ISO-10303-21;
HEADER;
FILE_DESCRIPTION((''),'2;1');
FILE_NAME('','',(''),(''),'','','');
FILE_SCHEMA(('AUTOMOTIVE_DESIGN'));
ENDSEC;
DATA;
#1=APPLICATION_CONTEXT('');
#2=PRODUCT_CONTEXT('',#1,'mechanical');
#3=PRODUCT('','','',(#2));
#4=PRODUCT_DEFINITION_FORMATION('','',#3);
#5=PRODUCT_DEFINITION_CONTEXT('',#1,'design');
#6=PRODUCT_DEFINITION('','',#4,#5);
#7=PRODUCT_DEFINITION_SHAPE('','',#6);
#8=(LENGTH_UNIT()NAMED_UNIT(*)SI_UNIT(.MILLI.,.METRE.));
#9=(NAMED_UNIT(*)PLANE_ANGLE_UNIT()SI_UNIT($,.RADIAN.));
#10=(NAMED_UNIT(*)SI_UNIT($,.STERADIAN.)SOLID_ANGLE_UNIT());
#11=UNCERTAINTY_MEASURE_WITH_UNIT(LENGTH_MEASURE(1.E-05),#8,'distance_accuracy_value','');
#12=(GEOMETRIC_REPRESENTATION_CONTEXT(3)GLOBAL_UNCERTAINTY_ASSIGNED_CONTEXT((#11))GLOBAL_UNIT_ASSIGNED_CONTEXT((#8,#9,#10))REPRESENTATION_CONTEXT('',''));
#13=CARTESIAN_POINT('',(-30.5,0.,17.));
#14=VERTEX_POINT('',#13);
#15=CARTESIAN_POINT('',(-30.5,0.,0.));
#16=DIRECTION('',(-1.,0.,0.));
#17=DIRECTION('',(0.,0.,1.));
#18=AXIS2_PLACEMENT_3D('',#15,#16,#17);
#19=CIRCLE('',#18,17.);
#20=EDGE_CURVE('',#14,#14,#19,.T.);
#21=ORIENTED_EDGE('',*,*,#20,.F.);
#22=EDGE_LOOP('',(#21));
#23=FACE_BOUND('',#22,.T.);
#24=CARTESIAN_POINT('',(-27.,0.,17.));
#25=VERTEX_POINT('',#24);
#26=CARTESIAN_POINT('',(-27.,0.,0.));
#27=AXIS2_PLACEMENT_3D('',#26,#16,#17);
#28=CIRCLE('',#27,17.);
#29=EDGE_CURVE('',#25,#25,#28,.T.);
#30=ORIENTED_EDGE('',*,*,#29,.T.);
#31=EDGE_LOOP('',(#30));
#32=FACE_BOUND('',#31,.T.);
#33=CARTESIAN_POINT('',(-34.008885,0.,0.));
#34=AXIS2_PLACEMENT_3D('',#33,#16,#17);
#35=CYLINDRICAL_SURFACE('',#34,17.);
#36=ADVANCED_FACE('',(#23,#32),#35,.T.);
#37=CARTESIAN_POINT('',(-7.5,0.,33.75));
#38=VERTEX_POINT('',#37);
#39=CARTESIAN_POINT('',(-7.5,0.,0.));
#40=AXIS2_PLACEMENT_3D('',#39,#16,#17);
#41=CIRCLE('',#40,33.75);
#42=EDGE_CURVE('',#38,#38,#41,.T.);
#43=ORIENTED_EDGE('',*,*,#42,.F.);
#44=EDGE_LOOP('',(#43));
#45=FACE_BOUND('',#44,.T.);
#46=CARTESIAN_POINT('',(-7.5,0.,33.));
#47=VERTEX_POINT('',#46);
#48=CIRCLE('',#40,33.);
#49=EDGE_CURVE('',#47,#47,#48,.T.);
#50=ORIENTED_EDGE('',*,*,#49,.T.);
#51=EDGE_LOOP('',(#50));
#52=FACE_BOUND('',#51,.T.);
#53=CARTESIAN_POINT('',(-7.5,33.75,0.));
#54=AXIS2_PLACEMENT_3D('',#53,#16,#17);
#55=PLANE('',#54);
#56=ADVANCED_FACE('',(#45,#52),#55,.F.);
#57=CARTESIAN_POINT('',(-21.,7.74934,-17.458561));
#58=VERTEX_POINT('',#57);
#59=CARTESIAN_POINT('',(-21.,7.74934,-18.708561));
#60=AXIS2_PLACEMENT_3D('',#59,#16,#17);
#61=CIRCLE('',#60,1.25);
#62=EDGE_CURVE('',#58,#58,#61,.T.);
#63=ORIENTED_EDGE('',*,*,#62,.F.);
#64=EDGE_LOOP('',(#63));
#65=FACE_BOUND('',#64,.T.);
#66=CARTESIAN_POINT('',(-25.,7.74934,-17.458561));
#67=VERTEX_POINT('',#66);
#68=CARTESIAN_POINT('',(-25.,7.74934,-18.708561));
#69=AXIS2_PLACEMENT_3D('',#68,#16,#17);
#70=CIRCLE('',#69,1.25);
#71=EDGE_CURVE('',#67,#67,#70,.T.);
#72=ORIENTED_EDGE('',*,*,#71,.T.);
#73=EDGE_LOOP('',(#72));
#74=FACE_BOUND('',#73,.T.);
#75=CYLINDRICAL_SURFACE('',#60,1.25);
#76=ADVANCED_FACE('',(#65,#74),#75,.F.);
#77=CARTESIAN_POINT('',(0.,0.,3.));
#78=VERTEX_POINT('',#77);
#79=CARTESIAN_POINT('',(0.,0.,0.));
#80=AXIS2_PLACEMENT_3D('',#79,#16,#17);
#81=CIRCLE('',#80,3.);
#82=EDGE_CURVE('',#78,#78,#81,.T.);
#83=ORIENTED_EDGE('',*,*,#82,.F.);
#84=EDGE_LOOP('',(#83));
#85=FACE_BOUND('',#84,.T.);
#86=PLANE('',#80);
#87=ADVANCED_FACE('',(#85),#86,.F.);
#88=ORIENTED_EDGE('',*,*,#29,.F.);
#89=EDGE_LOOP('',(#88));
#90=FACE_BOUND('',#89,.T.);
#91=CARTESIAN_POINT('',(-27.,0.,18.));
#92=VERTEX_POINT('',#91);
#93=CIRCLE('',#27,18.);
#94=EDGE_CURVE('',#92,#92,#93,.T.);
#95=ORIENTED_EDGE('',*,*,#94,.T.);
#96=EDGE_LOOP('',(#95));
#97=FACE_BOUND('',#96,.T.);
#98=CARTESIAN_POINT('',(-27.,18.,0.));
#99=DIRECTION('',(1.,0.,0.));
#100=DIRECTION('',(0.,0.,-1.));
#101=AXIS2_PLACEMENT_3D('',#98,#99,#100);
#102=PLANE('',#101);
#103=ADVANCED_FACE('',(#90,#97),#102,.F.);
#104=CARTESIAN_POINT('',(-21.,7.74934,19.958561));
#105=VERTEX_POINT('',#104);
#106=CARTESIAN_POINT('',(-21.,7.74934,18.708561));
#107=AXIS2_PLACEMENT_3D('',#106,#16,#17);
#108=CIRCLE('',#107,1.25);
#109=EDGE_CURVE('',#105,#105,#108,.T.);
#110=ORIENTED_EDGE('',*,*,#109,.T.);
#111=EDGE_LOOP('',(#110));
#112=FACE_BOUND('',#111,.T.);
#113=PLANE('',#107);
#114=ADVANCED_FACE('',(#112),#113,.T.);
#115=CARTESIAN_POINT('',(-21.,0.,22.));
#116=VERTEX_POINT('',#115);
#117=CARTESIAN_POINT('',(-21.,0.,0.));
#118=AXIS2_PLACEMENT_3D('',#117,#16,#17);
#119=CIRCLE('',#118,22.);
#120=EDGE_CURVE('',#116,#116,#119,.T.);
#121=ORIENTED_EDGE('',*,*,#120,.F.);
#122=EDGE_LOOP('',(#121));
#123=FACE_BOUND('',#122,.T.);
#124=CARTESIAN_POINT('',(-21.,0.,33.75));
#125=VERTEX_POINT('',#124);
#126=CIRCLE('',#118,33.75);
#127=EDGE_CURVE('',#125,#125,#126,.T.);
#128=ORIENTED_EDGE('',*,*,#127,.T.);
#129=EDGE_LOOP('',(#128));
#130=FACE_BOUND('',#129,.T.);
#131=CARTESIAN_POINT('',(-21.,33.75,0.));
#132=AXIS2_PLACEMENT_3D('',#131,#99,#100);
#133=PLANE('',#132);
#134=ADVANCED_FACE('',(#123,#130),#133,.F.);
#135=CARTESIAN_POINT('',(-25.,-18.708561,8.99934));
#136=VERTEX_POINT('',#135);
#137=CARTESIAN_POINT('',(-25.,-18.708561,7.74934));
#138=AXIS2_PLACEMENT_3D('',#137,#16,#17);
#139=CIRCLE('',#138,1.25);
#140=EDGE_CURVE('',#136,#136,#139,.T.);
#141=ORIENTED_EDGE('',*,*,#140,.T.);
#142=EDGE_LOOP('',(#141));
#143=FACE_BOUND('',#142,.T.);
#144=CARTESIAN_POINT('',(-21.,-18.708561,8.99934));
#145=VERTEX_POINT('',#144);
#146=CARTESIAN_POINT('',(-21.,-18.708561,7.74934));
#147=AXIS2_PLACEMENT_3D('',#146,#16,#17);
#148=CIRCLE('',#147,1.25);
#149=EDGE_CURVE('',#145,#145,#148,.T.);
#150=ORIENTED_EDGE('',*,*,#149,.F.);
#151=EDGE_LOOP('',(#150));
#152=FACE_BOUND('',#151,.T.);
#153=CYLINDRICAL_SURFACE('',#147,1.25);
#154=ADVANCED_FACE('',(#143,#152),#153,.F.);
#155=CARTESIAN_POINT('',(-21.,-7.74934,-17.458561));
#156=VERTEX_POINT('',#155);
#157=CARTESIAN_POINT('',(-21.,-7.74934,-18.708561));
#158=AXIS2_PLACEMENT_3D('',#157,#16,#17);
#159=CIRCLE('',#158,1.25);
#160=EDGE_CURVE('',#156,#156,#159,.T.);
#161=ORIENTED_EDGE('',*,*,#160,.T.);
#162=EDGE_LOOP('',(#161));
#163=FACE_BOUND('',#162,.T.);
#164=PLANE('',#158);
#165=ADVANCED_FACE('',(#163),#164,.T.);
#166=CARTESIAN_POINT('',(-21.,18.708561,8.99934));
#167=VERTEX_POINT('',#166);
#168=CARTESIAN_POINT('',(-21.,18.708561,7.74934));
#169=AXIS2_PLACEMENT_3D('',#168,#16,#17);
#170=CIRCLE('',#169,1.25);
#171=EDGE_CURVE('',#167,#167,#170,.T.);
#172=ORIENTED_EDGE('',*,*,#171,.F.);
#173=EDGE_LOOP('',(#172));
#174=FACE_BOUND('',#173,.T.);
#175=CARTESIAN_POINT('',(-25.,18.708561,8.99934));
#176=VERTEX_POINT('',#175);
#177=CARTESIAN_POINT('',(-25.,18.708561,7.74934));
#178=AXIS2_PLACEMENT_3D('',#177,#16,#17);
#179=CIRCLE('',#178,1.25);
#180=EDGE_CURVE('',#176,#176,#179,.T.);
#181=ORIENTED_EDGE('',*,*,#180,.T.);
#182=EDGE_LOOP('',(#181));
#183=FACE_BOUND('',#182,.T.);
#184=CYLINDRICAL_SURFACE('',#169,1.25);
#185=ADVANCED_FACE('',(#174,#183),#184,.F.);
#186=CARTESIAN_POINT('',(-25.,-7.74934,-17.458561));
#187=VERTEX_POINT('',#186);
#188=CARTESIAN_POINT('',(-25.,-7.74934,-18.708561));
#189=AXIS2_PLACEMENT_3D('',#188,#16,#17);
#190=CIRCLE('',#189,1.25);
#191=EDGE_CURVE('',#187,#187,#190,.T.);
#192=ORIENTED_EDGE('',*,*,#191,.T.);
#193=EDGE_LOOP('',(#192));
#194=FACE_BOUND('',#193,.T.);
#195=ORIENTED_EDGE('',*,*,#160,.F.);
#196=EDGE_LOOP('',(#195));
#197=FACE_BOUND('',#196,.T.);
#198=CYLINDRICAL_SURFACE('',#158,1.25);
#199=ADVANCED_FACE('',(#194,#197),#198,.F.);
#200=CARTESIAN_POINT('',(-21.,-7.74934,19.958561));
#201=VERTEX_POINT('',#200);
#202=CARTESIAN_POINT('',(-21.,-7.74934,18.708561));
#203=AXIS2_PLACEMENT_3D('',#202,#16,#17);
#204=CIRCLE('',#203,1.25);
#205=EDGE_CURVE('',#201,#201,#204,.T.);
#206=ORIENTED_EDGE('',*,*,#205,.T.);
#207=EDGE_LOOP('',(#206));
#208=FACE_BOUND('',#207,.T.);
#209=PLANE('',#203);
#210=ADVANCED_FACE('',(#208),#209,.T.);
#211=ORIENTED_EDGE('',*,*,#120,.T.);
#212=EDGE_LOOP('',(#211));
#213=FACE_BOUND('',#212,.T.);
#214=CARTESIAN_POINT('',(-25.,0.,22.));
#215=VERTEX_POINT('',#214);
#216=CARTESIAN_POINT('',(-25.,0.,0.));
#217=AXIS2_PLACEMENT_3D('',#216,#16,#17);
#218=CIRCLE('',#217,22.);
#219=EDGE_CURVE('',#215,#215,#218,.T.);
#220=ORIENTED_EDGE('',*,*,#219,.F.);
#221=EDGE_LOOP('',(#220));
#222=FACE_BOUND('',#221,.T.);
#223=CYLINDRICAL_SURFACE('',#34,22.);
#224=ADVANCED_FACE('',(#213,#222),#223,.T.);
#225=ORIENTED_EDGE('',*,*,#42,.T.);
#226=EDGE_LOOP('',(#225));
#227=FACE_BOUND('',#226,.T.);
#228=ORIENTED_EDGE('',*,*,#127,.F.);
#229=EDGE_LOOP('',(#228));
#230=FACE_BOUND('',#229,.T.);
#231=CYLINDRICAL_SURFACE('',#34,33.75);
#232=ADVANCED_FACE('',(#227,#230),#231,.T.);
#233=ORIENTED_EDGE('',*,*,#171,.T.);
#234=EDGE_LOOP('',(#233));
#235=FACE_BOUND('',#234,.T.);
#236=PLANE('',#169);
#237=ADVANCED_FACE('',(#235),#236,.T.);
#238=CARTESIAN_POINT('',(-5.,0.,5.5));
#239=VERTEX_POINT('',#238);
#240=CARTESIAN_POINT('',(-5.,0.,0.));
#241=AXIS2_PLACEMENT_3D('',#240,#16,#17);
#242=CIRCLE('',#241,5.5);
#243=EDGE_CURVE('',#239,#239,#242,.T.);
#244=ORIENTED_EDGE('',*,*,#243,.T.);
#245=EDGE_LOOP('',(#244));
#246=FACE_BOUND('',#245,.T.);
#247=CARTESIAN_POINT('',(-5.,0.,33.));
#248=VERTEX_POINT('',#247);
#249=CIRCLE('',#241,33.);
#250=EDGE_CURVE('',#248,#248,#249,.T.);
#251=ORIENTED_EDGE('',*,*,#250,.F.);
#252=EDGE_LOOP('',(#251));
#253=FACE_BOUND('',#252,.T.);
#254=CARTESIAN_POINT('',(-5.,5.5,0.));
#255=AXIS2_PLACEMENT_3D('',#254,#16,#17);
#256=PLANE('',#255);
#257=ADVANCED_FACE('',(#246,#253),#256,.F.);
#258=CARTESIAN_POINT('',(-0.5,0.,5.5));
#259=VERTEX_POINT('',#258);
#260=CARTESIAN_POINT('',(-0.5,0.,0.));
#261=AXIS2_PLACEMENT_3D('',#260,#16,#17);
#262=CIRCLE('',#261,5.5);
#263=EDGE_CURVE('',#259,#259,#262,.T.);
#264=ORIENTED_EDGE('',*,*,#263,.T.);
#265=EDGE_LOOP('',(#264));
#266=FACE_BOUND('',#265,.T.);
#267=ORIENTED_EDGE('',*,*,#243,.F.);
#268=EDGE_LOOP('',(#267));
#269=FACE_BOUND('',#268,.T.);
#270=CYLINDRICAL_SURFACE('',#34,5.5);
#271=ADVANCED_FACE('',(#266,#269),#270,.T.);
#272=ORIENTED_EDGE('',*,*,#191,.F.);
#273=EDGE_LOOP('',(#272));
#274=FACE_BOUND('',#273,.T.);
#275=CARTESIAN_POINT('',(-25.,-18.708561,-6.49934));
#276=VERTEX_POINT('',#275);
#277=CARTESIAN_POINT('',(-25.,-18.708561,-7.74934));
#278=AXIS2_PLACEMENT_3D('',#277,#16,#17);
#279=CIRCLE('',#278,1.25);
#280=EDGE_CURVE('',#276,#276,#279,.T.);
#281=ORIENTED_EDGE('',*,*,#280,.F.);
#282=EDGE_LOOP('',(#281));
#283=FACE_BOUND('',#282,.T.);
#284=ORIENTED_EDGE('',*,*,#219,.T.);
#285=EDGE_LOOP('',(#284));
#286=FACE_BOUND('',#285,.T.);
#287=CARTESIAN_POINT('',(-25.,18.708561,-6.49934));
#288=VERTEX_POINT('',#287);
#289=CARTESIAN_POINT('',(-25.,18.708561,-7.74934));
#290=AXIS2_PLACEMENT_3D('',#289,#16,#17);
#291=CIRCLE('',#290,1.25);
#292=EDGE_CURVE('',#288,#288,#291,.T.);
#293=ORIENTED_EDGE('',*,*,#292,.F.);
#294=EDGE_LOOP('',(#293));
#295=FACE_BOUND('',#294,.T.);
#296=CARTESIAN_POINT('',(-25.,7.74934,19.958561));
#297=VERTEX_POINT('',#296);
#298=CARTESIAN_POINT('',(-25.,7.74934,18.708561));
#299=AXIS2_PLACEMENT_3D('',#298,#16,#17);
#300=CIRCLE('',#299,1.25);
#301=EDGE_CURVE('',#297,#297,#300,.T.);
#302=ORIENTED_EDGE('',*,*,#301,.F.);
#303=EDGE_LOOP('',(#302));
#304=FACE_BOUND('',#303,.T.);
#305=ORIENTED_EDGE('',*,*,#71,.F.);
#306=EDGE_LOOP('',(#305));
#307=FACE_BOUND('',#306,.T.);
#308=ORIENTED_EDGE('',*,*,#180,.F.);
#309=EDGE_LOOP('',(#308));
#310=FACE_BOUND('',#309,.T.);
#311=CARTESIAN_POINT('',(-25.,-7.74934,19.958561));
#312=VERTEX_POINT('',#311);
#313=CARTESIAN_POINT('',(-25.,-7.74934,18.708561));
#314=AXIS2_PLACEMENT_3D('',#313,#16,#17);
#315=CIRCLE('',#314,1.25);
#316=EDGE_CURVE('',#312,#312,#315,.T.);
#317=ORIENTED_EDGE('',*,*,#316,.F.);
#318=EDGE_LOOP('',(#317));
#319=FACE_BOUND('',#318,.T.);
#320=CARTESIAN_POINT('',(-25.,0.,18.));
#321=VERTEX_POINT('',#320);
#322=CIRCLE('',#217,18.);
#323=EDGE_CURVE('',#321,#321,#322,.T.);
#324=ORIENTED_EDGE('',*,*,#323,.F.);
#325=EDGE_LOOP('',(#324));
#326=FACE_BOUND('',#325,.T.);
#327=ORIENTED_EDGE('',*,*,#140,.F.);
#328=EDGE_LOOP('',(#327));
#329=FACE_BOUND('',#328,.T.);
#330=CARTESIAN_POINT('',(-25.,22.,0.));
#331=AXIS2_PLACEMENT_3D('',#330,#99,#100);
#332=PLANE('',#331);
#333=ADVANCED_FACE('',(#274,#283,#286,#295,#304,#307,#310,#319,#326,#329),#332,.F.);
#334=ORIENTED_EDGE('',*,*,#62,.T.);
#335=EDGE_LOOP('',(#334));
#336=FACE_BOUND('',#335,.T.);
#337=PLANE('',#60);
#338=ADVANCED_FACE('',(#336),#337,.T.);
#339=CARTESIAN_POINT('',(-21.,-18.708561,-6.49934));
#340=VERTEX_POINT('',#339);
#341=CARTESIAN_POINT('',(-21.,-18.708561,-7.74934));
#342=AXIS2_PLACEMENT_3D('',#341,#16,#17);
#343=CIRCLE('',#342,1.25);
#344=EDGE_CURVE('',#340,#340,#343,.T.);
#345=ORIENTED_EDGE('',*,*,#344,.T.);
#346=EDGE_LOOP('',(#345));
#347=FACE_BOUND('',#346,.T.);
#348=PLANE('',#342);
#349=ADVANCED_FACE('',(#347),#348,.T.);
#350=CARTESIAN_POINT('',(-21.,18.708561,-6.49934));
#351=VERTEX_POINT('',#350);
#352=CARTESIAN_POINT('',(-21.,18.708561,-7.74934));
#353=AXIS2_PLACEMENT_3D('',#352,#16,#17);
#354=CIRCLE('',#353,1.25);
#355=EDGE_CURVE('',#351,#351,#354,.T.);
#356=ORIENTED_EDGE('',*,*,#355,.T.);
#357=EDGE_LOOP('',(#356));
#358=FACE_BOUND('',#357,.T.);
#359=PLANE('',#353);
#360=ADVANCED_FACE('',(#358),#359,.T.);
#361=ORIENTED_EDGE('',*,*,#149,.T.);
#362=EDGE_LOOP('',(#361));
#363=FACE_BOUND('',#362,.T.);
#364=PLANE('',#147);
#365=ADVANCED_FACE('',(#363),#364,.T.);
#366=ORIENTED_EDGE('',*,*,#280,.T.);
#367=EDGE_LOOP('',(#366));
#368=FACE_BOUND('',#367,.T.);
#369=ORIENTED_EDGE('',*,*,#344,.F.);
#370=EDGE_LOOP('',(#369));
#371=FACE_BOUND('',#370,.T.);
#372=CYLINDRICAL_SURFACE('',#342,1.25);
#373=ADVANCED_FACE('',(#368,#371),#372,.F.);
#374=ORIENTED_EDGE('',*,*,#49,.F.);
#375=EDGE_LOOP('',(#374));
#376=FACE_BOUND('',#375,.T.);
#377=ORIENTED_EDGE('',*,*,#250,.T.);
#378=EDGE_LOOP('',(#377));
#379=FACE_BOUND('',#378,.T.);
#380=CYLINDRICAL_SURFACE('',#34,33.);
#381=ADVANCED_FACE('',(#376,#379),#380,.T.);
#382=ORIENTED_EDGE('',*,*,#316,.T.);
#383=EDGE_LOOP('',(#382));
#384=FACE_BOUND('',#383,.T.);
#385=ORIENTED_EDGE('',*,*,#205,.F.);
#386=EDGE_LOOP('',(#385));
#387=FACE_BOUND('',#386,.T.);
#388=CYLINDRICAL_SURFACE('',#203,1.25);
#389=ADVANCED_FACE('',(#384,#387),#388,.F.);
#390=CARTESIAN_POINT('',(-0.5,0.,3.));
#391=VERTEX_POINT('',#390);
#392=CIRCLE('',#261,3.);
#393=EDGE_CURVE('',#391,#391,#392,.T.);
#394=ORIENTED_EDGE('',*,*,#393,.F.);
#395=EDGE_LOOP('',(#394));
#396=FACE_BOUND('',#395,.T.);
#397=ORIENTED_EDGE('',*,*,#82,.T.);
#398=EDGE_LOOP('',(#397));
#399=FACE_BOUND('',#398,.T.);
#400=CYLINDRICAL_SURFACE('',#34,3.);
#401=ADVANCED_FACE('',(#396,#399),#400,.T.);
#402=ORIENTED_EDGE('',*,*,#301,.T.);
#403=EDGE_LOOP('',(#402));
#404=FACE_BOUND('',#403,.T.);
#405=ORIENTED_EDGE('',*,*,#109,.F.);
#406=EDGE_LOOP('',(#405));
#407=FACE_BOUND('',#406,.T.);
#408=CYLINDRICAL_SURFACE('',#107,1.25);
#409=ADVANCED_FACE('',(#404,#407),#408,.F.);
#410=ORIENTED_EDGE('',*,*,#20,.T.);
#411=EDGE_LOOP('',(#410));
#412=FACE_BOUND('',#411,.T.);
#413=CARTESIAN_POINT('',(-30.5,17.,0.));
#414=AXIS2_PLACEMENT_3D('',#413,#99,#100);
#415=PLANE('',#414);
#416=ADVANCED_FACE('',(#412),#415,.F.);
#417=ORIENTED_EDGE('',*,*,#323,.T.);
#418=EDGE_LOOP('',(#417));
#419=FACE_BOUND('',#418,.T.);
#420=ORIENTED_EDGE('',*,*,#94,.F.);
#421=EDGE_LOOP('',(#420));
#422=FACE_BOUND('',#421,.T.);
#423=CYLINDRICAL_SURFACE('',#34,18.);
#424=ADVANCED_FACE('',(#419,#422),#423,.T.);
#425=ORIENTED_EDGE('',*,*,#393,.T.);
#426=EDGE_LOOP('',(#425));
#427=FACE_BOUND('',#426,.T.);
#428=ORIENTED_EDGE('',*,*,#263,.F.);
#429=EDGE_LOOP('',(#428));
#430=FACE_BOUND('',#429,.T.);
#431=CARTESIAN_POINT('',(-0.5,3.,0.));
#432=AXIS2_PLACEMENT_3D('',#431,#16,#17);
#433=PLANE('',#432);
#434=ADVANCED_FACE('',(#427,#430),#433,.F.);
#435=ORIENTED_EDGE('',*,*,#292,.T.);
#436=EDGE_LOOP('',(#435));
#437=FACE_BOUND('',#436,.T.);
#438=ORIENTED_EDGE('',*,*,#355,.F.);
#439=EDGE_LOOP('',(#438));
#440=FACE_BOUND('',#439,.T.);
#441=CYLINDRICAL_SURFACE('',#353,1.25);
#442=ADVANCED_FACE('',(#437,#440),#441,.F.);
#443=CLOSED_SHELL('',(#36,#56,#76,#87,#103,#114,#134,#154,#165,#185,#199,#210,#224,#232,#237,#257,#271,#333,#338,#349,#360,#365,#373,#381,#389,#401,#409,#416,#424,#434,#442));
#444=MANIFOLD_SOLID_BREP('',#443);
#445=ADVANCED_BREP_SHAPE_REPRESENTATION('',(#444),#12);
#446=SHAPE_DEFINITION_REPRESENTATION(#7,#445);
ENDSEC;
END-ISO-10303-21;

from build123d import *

# Parameters (mm, degrees)
SKETCH2_R          = 1.25
CUT_EXTRUDE1_DEPTH = 4


with BuildPart() as part:
    # Sketch1 → Revolve1 (revolve)
    with BuildSketch(Plane.XY, mode=Mode.PRIVATE) as revolve1_sk:
        Polygon((0, 0), (0, 3), (-0.5, 3), (-0.5, 5.5), (-5, 5.5), (-5, 33), (-7.5, 33), (-7.5, 33.75), (-21, 33.75), (-21, 22), (-25, 22), (-25, 18), (-27, 18), (-27, 17), (-30.5, 17), (-30.5, 0), align=None)
    revolve(revolve1_sk.sketch.rotate(Axis((-34.008884984, 0, 0), (1, 0, 0)), 90), axis=Axis((-34.008884984, 0, 0), (1, 0, 0)))

    # Sketch2 → Cut-Extrude1 (cut)
    with BuildSketch(Plane.ZY.offset(25)):
        with Locations((-7.749339505, 18.708560533)):
            Circle(SKETCH2_R)
        with Locations((7.749339505, 18.708560533)):
            Circle(SKETCH2_R)
        with Locations((18.708560533, 7.749339505)):
            Circle(SKETCH2_R)
        with Locations((18.708560533, -7.749339505)):
            Circle(SKETCH2_R)
        with Locations((7.749339505, -18.708560533)):
            Circle(SKETCH2_R)
        with Locations((-7.749339505, -18.708560533)):
            Circle(SKETCH2_R)
        with Locations((-18.708560533, -7.749339505)):
            Circle(SKETCH2_R)
        with Locations((-18.708560533, 7.749339505)):
            Circle(SKETCH2_R)
    extrude(amount=-CUT_EXTRUDE1_DEPTH, mode=Mode.SUBTRACT)


solid = part.part
